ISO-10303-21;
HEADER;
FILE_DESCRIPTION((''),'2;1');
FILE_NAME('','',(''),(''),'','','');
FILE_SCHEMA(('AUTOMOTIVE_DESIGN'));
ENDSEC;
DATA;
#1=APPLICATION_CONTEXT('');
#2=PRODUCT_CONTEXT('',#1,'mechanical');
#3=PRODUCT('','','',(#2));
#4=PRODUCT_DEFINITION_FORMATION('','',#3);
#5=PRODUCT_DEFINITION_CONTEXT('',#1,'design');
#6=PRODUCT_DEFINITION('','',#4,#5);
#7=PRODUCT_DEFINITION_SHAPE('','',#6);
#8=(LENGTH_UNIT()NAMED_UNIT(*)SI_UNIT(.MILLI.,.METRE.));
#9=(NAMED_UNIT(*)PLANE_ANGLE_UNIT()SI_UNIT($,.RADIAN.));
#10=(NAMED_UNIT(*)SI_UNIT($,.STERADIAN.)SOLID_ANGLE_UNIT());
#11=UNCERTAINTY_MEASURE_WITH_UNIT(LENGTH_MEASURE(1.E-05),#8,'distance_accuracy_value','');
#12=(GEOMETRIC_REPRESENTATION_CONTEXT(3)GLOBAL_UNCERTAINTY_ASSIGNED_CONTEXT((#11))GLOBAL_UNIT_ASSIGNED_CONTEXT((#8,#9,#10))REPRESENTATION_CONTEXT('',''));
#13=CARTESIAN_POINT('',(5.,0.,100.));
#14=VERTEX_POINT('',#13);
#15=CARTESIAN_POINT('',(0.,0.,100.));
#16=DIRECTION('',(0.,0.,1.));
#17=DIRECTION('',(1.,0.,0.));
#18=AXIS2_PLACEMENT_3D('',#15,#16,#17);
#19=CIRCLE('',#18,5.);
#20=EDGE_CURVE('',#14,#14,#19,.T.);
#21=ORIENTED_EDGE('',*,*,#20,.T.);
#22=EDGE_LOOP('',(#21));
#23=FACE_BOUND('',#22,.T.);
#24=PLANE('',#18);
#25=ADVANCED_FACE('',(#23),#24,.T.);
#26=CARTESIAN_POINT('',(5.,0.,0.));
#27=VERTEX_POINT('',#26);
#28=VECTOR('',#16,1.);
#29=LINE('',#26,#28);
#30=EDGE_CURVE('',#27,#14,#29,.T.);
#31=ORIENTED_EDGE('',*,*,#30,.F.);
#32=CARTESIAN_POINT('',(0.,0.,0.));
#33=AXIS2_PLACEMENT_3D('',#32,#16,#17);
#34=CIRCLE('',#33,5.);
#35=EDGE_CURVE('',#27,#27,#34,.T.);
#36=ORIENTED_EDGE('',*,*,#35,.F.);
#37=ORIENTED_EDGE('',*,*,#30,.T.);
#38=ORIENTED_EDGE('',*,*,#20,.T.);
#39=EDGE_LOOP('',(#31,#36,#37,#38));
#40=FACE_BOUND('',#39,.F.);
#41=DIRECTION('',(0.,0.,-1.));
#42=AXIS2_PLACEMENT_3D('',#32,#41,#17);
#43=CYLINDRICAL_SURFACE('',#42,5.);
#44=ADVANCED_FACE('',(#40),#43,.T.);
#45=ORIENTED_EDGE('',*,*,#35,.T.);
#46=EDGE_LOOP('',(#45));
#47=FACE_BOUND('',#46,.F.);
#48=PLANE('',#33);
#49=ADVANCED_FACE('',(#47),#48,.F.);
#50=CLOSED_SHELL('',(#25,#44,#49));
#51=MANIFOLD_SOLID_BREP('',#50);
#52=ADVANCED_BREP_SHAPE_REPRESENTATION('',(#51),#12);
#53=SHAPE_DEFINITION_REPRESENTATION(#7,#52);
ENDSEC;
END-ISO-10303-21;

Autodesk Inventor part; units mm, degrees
ref_plane "YZ Plane" through (0, 0, 0) normal (1, 0, 0) x (0, 1, 0)
ref_plane "XZ Plane" through (0, 0, 0) normal (0, 1, 0) x (-1, 0, 0)
ref_plane "XY Plane" through (0, 0, 0) normal (0, 0, 1) x (1, 0, 0)
sketch "Sketch2" plane through (0, 0, 0) normal (0, 0, 1) x (1, 0, 0)
  circle A0 centre (0, 0) radius 5
  dimension "d3" = 10
extrude "Extrusion2" add sketch "Sketch2" along normal blind 100
